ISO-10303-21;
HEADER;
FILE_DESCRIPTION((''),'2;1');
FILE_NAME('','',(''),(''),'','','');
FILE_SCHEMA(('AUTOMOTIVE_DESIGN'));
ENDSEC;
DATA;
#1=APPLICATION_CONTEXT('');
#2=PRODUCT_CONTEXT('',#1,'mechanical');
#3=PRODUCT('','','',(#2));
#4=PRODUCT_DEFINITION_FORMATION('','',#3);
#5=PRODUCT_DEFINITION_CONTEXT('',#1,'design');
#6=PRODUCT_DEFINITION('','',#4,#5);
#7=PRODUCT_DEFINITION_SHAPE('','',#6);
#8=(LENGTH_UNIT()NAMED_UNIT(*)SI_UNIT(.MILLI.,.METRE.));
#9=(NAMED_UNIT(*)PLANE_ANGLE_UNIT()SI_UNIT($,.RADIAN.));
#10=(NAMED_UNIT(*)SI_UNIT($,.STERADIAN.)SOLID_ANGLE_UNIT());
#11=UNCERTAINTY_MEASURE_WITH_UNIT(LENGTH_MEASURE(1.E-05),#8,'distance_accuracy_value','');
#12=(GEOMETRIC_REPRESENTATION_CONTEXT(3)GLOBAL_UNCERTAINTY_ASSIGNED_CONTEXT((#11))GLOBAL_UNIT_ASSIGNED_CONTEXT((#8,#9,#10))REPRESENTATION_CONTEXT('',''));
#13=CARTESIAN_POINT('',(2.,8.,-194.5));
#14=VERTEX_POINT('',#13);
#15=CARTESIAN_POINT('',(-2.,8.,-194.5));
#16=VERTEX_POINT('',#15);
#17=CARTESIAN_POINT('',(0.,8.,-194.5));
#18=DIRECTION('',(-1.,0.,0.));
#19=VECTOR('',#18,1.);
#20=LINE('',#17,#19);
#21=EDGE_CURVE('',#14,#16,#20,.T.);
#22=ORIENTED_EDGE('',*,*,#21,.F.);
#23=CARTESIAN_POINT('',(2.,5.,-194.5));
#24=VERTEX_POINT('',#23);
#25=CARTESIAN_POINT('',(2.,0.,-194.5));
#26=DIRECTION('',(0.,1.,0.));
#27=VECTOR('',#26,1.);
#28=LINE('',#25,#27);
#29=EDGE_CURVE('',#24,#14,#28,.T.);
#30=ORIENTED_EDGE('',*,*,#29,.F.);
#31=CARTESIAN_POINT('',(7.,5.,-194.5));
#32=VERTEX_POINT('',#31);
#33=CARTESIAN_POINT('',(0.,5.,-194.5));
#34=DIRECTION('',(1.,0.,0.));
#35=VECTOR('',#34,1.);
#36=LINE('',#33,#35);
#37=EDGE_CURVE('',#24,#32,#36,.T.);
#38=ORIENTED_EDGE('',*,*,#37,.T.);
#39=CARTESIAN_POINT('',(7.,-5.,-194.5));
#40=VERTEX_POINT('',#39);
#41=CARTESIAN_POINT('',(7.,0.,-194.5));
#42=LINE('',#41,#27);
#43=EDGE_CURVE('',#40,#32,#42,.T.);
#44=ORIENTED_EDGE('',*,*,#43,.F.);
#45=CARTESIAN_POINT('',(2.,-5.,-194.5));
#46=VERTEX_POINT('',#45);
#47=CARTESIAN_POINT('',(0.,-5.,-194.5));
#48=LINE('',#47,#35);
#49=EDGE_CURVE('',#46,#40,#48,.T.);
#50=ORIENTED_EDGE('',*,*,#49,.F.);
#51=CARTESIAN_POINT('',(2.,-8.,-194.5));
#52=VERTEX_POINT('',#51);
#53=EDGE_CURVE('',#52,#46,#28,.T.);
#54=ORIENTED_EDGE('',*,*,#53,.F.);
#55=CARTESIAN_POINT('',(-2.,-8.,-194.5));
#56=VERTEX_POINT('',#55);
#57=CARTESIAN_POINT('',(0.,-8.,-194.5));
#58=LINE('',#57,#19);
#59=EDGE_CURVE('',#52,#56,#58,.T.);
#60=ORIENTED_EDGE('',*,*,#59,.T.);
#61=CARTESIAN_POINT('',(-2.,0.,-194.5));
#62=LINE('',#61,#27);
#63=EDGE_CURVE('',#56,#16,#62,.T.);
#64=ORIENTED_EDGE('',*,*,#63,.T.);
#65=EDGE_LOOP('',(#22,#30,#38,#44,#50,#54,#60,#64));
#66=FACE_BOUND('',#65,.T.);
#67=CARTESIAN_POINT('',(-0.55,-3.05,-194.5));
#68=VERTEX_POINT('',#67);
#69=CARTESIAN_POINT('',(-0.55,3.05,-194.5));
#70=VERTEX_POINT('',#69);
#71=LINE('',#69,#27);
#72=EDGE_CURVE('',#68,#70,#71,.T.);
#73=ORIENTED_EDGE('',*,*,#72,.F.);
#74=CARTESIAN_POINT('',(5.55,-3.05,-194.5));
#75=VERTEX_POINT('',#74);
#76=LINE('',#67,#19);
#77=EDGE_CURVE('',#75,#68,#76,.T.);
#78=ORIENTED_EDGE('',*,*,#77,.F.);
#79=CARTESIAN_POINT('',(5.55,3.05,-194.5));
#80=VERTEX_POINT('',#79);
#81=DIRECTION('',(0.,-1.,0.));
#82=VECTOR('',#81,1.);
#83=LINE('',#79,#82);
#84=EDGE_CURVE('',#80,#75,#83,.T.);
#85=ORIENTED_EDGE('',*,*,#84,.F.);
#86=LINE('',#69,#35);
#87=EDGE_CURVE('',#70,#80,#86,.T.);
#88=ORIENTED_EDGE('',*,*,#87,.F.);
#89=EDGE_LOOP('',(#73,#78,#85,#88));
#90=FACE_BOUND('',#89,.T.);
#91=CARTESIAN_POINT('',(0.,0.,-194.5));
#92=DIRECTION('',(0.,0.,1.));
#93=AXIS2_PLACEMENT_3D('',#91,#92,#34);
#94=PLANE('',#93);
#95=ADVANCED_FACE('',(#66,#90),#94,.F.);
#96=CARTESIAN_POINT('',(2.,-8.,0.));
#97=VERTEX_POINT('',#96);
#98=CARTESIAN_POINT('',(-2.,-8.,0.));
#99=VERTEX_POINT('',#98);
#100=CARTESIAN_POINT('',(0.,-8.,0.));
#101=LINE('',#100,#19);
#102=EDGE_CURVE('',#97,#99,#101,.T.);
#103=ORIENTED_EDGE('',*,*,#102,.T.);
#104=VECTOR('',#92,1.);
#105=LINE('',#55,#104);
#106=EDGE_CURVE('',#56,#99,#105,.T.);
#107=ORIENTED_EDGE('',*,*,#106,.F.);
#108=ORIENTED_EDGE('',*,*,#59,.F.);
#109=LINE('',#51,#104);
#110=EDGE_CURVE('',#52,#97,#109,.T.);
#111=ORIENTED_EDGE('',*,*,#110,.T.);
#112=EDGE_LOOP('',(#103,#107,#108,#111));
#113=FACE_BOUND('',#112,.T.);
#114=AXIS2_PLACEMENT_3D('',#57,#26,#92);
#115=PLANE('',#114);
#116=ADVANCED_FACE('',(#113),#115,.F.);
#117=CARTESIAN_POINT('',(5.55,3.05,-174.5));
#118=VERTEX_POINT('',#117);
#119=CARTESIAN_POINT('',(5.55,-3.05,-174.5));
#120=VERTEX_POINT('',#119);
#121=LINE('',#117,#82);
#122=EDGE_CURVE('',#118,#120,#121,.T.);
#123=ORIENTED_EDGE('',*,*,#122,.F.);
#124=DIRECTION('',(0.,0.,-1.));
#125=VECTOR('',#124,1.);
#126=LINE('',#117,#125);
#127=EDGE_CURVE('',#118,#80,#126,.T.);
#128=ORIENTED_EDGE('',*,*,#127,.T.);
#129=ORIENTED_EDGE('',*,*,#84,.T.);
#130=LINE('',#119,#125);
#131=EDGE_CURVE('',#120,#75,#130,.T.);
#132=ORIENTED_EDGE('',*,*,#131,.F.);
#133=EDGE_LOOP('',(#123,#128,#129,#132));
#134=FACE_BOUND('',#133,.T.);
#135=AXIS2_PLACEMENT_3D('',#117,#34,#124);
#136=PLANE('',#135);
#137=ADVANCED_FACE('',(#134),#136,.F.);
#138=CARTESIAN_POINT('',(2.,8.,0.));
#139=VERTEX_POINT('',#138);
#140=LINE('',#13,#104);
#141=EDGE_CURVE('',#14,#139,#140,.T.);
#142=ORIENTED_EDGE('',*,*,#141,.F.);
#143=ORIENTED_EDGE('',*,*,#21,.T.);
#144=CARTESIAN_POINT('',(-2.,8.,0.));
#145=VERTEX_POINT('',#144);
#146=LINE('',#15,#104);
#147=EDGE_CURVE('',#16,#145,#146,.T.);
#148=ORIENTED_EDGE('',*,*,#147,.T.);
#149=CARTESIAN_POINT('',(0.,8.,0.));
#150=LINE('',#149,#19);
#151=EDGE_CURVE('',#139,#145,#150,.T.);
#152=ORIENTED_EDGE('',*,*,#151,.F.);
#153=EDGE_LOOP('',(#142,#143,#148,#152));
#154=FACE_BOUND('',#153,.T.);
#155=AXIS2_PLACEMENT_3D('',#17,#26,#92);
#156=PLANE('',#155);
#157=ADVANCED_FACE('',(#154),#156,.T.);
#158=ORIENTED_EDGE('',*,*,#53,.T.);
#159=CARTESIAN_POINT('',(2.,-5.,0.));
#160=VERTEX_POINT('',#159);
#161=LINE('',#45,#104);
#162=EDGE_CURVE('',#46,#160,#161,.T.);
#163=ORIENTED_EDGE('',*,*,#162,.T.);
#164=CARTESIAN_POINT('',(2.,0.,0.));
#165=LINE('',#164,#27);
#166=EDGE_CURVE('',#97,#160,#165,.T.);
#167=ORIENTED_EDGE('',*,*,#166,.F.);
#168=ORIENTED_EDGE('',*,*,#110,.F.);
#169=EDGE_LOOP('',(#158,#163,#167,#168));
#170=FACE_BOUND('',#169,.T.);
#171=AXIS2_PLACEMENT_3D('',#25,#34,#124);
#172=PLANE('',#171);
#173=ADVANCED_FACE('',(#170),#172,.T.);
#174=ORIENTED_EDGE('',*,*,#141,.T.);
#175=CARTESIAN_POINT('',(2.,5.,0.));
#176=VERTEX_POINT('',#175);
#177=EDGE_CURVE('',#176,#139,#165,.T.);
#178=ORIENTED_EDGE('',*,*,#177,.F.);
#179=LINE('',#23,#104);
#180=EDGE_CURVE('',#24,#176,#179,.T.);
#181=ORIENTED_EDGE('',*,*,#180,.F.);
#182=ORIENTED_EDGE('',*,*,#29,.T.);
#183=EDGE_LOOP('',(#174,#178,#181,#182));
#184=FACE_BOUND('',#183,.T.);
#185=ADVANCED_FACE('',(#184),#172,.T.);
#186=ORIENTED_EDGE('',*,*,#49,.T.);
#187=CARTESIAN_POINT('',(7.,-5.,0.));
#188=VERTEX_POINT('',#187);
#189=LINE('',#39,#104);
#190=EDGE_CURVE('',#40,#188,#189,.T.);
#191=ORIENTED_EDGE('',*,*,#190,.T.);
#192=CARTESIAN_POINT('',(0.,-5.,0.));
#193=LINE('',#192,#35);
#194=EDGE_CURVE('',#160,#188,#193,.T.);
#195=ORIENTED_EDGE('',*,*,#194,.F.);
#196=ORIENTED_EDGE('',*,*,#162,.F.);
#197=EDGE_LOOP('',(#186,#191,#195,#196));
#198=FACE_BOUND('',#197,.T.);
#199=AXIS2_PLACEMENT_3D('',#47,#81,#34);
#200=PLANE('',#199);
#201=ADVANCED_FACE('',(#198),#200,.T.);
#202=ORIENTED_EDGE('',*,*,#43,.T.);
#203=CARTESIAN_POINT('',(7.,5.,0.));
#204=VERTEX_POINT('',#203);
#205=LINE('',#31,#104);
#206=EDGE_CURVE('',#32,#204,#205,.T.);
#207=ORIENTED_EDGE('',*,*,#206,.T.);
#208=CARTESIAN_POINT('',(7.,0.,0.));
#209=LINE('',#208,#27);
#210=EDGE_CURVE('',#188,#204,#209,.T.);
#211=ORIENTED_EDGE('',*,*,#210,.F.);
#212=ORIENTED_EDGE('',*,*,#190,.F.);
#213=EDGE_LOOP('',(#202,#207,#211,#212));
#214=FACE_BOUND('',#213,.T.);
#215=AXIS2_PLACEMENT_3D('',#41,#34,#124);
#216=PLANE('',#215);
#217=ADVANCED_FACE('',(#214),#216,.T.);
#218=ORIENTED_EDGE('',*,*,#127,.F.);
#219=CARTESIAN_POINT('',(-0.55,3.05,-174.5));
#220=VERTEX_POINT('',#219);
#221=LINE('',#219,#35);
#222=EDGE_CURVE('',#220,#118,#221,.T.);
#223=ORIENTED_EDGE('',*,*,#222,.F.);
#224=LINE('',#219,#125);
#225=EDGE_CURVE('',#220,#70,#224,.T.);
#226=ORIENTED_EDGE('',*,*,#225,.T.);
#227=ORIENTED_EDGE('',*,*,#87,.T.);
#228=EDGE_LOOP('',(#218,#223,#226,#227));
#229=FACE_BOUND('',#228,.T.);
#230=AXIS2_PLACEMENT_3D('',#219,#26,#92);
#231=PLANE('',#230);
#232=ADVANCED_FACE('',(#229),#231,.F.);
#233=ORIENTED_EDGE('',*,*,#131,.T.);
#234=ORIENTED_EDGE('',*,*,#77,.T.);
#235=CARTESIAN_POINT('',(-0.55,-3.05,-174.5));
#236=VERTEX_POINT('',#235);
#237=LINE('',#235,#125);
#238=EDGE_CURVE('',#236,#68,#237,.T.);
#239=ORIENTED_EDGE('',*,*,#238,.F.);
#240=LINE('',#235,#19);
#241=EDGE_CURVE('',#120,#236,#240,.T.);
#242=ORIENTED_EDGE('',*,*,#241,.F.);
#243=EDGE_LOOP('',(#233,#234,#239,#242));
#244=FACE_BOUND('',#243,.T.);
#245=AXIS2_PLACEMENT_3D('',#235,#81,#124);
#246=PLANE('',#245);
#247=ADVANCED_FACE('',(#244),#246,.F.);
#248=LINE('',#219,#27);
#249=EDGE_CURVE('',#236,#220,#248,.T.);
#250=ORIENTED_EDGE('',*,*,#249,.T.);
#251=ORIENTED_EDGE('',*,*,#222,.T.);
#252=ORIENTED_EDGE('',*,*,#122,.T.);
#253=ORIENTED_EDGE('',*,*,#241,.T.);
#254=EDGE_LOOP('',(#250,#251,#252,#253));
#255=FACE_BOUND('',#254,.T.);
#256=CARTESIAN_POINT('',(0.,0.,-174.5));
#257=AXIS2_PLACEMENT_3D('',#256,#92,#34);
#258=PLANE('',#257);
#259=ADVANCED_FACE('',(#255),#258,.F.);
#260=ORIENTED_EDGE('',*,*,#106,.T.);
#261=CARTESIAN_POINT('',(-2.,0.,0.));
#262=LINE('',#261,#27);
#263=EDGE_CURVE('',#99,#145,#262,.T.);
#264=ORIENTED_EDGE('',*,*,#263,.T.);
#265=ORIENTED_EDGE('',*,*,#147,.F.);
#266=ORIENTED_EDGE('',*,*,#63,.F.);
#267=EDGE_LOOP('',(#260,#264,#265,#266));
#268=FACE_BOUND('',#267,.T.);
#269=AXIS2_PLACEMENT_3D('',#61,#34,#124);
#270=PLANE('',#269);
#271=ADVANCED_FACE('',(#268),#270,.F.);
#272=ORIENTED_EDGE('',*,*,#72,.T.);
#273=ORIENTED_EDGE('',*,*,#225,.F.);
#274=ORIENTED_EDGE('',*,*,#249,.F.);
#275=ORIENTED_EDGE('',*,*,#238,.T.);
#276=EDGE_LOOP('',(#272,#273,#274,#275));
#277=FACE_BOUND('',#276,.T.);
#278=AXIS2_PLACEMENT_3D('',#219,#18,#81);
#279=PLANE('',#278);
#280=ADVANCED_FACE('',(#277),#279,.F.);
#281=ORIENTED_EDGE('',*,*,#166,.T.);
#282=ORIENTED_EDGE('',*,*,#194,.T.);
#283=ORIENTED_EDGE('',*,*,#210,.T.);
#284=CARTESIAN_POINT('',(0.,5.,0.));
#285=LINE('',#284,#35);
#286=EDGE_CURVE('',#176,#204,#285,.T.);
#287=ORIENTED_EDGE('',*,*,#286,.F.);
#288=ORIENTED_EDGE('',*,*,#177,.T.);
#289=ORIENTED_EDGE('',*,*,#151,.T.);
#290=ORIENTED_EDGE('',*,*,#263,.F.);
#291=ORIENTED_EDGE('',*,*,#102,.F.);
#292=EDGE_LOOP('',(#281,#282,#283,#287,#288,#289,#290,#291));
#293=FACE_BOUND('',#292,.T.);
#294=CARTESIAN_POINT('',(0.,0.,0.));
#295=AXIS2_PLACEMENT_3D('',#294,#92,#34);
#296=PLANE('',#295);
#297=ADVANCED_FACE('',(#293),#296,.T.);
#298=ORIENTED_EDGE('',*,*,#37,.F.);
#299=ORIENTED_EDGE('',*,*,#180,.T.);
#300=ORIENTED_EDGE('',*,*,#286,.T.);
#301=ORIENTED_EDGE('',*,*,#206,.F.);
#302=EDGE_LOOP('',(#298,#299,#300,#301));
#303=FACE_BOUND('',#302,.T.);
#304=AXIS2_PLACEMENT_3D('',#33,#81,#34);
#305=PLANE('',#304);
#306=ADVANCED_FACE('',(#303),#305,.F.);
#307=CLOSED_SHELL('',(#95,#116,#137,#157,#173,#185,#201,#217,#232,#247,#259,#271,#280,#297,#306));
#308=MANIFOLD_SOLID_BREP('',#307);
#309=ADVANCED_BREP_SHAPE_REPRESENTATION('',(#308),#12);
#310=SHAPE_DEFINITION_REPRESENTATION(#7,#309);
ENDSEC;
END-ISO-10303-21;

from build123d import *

# Parameters (mm, degrees)
SKETCH1_W           = 10
SKETCH1_H           = 5
SKETCH1_W_2         = 16
SKETCH1_H_2         = 4
BOSS_EXTRUDE1_DEPTH = 194.5
SKETCH2_W           = 6.1
SKETCH2_H           = 6.1
CUT_EXTRUDE1_DEPTH  = 20


with BuildPart() as part:
    # Sketch1 → Boss-Extrude1 (new body)
    with BuildSketch(Plane(origin=(0, 0, 0), x_dir=(0, 1, 0), z_dir=(0, 0, 1))):
        with Locations((0, -4.5)):
            Rectangle(SKETCH1_W, SKETCH1_H)
        Rectangle(SKETCH1_W_2, SKETCH1_H_2)
    extrude(amount=-BOSS_EXTRUDE1_DEPTH)

    # Sketch2 → Cut-Extrude1 (cut)
    with BuildSketch(Plane(origin=(0, 0, -194.5), x_dir=(1, 0, 0), z_dir=(0, 0, -1))):
        with Locations((2.5, 0)):
            Rectangle(SKETCH2_W, SKETCH2_H)
    extrude(amount=-CUT_EXTRUDE1_DEPTH, mode=Mode.SUBTRACT)


solid = part.part
